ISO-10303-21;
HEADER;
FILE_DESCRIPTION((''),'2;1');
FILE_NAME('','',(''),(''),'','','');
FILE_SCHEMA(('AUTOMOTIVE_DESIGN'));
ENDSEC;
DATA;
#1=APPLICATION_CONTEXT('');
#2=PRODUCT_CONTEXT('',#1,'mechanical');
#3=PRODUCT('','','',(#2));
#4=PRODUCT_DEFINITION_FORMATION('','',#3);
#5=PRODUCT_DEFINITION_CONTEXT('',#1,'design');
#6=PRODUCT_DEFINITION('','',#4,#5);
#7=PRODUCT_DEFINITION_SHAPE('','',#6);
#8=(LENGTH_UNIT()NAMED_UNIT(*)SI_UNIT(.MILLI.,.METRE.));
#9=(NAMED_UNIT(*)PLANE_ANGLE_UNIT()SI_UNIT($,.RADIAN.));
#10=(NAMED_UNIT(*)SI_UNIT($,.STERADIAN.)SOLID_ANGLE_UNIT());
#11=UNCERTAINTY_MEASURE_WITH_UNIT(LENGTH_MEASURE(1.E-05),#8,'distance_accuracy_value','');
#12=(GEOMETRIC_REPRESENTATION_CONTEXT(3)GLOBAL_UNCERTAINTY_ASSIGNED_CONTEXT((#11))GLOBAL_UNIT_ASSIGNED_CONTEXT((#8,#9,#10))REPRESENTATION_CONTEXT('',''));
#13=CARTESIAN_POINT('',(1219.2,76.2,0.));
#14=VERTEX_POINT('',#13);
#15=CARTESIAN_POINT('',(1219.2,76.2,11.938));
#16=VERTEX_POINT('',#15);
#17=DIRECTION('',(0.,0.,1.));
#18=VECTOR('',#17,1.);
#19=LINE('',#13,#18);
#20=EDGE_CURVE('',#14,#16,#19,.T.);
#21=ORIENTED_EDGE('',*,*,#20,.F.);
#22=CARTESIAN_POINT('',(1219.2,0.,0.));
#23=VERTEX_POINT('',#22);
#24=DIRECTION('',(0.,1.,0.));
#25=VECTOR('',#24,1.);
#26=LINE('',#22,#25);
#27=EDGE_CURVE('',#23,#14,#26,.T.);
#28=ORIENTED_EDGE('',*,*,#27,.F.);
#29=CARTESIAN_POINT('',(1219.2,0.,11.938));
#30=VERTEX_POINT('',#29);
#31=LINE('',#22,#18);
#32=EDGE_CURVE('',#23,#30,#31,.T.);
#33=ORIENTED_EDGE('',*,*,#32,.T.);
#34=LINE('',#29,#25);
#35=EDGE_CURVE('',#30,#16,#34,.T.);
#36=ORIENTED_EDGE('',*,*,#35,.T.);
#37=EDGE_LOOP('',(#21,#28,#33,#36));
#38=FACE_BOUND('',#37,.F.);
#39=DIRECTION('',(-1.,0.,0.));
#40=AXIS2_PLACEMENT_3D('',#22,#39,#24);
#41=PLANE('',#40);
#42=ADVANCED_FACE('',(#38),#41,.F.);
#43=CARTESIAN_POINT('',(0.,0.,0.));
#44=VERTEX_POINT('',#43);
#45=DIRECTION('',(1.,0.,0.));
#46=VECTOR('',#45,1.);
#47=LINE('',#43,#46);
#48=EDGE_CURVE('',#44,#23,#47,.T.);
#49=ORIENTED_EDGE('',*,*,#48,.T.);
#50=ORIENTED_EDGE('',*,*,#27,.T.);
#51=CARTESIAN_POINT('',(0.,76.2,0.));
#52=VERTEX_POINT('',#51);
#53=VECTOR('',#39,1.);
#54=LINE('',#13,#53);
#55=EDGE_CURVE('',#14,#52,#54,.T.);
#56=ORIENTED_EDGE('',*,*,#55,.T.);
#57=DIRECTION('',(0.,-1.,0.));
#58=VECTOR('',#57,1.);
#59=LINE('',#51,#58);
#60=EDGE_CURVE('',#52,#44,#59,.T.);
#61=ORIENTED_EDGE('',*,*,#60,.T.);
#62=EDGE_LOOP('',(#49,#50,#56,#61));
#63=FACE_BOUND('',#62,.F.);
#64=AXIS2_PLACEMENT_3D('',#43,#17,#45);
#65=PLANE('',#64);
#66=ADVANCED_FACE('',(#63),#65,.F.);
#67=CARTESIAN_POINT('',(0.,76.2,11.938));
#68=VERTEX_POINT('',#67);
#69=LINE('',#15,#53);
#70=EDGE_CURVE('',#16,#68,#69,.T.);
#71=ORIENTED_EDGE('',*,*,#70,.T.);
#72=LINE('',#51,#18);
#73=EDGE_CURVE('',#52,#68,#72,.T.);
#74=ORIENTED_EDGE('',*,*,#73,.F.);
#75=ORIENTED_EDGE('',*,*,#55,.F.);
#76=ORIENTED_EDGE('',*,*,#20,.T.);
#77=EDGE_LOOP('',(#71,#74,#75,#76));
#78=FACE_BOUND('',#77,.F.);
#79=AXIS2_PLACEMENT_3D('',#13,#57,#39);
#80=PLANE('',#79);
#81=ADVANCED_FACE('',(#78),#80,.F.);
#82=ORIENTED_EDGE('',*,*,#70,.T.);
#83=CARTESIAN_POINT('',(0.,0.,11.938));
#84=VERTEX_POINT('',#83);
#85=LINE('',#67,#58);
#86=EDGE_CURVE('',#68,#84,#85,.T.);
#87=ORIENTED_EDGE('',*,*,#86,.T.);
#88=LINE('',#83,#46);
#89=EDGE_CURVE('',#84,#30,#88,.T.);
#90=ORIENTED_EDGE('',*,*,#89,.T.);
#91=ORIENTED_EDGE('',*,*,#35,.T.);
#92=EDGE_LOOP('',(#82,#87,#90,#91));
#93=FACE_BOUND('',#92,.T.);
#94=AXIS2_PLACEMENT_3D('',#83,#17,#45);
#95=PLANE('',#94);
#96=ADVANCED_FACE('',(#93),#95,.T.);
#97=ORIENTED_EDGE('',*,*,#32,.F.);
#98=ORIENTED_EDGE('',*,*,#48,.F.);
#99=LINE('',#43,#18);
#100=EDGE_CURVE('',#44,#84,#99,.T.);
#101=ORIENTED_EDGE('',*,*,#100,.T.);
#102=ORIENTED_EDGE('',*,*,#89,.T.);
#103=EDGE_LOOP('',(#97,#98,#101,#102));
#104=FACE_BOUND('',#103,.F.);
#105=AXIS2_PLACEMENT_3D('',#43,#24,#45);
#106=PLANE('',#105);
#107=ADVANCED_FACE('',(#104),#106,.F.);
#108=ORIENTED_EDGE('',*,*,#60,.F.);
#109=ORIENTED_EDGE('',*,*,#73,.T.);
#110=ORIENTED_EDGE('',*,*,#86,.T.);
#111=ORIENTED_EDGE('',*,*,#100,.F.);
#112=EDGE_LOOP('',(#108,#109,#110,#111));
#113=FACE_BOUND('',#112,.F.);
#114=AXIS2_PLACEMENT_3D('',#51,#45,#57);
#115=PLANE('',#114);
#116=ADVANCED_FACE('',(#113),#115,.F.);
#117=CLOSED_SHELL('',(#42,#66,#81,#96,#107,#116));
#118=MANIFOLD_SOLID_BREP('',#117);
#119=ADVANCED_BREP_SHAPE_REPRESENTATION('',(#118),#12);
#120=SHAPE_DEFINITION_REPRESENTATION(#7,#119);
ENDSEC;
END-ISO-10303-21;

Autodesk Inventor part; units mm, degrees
ref_plane "YZ Plane" through (0, 0, 0) normal (1, 0, 0) x (0, 1, 0)
ref_plane "XZ Plane" through (0, 0, 0) normal (0, 1, 0) x (-1, 0, 0)
ref_plane "XY Plane" through (0, 0, 0) normal (0, 0, 1) x (1, 0, 0)
sketch "Sketch1" plane through (0, 0, 0) normal (0, 0, 1) x (1, 0, 0)
  line L0 (0, 0) -> (1219.2, 0)
  line L1 (1219.2, 0) -> (1219.2, 76.2)
  line L2 (1219.2, 76.2) -> (0, 76.2)
  line L3 (0, 76.2) -> (0, 0)
  dimension "d0" = 1219.2
  dimension "d1" = 76.2
extrude "Extrusion1" add sketch "Sketch1" along normal blind 11.938
properties part number "Antitorque leg-leg span" material "Wood (Oak)"
